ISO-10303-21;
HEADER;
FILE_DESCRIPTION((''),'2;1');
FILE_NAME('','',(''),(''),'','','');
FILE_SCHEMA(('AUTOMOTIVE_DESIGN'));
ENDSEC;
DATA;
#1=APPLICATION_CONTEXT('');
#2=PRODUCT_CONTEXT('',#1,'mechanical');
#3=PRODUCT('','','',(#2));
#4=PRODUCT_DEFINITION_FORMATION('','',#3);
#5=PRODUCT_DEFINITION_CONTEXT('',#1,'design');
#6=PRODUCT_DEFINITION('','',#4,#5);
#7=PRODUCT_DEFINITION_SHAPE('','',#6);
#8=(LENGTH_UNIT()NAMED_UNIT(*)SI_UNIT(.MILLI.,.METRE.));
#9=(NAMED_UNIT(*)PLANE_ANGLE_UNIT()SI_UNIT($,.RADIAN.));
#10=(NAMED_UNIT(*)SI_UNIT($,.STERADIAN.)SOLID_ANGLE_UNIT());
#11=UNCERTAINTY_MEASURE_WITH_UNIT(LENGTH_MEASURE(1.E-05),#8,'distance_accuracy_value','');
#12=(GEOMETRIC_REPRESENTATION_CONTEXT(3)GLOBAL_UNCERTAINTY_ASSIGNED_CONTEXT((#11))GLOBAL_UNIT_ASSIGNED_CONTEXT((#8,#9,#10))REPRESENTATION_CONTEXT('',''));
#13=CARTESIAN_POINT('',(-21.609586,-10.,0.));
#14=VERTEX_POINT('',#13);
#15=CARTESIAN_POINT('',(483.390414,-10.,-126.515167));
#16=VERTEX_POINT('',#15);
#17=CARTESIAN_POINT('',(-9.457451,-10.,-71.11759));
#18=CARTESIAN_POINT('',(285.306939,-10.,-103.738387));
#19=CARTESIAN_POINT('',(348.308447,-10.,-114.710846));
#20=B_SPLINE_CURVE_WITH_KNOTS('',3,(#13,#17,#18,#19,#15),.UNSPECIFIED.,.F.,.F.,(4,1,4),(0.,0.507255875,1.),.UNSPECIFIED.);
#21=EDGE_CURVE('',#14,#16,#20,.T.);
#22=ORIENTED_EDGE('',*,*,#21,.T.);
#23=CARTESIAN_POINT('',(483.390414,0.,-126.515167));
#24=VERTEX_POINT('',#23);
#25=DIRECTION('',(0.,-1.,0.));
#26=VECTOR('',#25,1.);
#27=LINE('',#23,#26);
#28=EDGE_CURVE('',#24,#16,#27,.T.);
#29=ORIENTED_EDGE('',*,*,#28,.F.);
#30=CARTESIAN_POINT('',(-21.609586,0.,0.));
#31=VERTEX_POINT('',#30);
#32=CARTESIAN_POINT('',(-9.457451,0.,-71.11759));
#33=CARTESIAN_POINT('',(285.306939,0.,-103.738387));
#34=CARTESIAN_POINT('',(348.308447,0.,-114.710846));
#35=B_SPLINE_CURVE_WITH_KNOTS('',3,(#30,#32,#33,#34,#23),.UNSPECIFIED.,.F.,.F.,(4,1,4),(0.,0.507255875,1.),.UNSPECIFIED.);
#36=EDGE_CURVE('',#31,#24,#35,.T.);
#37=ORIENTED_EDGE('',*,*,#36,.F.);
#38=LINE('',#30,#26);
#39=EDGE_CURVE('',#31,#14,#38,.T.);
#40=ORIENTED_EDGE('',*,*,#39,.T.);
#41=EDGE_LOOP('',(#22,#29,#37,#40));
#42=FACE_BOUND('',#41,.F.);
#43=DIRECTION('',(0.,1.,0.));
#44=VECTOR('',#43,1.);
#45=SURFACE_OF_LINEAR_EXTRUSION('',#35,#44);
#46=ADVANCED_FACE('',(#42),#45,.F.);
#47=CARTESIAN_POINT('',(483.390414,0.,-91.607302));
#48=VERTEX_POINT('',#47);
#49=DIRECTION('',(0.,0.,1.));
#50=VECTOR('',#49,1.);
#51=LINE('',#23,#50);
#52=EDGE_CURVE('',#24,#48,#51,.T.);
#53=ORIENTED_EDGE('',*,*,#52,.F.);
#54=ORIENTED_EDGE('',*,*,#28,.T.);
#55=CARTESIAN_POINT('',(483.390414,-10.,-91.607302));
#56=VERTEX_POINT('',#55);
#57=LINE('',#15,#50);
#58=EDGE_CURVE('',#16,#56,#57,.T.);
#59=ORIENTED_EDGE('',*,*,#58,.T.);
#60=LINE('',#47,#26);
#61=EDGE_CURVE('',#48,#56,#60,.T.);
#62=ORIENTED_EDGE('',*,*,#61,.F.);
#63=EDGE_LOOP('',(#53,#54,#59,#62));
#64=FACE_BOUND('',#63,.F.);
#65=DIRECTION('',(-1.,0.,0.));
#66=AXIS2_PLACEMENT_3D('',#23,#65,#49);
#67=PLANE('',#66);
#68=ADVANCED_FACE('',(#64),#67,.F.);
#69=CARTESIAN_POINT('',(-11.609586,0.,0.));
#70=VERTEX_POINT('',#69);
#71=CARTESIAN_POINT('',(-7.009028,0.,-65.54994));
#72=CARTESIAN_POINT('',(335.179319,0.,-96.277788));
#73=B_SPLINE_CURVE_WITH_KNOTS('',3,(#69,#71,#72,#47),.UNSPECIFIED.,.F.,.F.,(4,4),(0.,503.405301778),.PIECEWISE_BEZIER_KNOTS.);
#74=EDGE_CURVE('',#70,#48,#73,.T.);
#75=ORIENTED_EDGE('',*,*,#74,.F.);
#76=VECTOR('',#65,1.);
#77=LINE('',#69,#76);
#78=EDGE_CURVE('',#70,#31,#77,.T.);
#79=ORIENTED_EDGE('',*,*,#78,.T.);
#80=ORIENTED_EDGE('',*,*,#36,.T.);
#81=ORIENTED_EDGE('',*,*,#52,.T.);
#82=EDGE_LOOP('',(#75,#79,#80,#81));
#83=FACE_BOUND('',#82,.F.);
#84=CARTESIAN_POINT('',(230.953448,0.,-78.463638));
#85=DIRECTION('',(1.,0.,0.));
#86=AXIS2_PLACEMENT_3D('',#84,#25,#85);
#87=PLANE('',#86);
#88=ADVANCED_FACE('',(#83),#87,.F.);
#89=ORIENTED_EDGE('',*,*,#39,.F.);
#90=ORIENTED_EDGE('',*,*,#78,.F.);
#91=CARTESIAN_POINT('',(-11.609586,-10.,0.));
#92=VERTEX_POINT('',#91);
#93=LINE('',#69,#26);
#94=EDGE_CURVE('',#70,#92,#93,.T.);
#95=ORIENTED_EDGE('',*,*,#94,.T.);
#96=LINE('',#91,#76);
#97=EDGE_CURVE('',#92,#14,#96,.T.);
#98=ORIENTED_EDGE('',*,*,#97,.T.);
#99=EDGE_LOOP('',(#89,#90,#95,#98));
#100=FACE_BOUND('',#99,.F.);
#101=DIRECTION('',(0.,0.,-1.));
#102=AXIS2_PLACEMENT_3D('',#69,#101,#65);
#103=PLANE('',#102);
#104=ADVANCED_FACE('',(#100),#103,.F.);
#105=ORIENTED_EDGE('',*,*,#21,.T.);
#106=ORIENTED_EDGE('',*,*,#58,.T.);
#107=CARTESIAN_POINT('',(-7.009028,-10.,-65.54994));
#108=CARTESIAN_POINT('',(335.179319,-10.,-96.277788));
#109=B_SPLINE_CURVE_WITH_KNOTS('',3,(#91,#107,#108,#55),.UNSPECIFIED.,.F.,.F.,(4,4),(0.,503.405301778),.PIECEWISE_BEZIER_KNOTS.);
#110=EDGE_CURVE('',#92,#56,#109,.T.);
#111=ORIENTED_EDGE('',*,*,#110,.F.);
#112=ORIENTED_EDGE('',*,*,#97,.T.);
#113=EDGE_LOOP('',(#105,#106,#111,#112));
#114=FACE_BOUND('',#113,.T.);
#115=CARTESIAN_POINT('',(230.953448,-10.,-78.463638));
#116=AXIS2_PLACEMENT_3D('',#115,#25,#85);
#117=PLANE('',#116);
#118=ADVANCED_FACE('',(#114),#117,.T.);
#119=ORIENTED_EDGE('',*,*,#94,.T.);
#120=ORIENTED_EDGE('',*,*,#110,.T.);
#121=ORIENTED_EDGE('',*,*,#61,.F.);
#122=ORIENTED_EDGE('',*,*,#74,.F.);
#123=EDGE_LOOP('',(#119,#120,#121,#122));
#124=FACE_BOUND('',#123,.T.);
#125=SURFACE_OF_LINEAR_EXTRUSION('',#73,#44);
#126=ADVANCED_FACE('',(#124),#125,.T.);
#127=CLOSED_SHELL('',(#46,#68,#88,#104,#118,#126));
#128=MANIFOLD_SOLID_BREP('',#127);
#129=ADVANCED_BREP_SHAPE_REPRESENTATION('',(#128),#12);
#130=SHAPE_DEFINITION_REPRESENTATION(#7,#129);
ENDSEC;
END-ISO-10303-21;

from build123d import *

# Parameters (mm, degrees)
F1_DEPTH = 10


with BuildPart() as f1:
    # F0 (on Front) → F1 (new body)
    with BuildSketch(Plane.XZ):
        with BuildLine():
            Line((-11.6095862986, 0), (-21.6095862986, 0))
            add(Edge.make_bspline(
                [(-21.6095862986, 0), (-9.4574506075, -71.1175899318), (285.3069392789, -103.7383871619), (348.3084465537, -114.7108461615), (483.3904137014, -126.5151666224)],
                knots=[0, 0, 0, 0, 0.5072558747, 1, 1, 1, 1], degree=3))
            Line((483.3904137014, -126.5151666224), (483.3904137014, -91.6073024273))
            add(Edge.make_bspline(
                [(-11.6095862986, 0), (-7.0090275258, -65.5499398708), (335.1793193817, -96.2777882814), (483.3904137014, -91.6073024273)],
                knots=[0, 0, 0, 0, 503.4053017778, 503.4053017778, 503.4053017778, 503.4053017778], degree=3))
        make_face()
    extrude(amount=F1_DEPTH)


solid = f1.part
